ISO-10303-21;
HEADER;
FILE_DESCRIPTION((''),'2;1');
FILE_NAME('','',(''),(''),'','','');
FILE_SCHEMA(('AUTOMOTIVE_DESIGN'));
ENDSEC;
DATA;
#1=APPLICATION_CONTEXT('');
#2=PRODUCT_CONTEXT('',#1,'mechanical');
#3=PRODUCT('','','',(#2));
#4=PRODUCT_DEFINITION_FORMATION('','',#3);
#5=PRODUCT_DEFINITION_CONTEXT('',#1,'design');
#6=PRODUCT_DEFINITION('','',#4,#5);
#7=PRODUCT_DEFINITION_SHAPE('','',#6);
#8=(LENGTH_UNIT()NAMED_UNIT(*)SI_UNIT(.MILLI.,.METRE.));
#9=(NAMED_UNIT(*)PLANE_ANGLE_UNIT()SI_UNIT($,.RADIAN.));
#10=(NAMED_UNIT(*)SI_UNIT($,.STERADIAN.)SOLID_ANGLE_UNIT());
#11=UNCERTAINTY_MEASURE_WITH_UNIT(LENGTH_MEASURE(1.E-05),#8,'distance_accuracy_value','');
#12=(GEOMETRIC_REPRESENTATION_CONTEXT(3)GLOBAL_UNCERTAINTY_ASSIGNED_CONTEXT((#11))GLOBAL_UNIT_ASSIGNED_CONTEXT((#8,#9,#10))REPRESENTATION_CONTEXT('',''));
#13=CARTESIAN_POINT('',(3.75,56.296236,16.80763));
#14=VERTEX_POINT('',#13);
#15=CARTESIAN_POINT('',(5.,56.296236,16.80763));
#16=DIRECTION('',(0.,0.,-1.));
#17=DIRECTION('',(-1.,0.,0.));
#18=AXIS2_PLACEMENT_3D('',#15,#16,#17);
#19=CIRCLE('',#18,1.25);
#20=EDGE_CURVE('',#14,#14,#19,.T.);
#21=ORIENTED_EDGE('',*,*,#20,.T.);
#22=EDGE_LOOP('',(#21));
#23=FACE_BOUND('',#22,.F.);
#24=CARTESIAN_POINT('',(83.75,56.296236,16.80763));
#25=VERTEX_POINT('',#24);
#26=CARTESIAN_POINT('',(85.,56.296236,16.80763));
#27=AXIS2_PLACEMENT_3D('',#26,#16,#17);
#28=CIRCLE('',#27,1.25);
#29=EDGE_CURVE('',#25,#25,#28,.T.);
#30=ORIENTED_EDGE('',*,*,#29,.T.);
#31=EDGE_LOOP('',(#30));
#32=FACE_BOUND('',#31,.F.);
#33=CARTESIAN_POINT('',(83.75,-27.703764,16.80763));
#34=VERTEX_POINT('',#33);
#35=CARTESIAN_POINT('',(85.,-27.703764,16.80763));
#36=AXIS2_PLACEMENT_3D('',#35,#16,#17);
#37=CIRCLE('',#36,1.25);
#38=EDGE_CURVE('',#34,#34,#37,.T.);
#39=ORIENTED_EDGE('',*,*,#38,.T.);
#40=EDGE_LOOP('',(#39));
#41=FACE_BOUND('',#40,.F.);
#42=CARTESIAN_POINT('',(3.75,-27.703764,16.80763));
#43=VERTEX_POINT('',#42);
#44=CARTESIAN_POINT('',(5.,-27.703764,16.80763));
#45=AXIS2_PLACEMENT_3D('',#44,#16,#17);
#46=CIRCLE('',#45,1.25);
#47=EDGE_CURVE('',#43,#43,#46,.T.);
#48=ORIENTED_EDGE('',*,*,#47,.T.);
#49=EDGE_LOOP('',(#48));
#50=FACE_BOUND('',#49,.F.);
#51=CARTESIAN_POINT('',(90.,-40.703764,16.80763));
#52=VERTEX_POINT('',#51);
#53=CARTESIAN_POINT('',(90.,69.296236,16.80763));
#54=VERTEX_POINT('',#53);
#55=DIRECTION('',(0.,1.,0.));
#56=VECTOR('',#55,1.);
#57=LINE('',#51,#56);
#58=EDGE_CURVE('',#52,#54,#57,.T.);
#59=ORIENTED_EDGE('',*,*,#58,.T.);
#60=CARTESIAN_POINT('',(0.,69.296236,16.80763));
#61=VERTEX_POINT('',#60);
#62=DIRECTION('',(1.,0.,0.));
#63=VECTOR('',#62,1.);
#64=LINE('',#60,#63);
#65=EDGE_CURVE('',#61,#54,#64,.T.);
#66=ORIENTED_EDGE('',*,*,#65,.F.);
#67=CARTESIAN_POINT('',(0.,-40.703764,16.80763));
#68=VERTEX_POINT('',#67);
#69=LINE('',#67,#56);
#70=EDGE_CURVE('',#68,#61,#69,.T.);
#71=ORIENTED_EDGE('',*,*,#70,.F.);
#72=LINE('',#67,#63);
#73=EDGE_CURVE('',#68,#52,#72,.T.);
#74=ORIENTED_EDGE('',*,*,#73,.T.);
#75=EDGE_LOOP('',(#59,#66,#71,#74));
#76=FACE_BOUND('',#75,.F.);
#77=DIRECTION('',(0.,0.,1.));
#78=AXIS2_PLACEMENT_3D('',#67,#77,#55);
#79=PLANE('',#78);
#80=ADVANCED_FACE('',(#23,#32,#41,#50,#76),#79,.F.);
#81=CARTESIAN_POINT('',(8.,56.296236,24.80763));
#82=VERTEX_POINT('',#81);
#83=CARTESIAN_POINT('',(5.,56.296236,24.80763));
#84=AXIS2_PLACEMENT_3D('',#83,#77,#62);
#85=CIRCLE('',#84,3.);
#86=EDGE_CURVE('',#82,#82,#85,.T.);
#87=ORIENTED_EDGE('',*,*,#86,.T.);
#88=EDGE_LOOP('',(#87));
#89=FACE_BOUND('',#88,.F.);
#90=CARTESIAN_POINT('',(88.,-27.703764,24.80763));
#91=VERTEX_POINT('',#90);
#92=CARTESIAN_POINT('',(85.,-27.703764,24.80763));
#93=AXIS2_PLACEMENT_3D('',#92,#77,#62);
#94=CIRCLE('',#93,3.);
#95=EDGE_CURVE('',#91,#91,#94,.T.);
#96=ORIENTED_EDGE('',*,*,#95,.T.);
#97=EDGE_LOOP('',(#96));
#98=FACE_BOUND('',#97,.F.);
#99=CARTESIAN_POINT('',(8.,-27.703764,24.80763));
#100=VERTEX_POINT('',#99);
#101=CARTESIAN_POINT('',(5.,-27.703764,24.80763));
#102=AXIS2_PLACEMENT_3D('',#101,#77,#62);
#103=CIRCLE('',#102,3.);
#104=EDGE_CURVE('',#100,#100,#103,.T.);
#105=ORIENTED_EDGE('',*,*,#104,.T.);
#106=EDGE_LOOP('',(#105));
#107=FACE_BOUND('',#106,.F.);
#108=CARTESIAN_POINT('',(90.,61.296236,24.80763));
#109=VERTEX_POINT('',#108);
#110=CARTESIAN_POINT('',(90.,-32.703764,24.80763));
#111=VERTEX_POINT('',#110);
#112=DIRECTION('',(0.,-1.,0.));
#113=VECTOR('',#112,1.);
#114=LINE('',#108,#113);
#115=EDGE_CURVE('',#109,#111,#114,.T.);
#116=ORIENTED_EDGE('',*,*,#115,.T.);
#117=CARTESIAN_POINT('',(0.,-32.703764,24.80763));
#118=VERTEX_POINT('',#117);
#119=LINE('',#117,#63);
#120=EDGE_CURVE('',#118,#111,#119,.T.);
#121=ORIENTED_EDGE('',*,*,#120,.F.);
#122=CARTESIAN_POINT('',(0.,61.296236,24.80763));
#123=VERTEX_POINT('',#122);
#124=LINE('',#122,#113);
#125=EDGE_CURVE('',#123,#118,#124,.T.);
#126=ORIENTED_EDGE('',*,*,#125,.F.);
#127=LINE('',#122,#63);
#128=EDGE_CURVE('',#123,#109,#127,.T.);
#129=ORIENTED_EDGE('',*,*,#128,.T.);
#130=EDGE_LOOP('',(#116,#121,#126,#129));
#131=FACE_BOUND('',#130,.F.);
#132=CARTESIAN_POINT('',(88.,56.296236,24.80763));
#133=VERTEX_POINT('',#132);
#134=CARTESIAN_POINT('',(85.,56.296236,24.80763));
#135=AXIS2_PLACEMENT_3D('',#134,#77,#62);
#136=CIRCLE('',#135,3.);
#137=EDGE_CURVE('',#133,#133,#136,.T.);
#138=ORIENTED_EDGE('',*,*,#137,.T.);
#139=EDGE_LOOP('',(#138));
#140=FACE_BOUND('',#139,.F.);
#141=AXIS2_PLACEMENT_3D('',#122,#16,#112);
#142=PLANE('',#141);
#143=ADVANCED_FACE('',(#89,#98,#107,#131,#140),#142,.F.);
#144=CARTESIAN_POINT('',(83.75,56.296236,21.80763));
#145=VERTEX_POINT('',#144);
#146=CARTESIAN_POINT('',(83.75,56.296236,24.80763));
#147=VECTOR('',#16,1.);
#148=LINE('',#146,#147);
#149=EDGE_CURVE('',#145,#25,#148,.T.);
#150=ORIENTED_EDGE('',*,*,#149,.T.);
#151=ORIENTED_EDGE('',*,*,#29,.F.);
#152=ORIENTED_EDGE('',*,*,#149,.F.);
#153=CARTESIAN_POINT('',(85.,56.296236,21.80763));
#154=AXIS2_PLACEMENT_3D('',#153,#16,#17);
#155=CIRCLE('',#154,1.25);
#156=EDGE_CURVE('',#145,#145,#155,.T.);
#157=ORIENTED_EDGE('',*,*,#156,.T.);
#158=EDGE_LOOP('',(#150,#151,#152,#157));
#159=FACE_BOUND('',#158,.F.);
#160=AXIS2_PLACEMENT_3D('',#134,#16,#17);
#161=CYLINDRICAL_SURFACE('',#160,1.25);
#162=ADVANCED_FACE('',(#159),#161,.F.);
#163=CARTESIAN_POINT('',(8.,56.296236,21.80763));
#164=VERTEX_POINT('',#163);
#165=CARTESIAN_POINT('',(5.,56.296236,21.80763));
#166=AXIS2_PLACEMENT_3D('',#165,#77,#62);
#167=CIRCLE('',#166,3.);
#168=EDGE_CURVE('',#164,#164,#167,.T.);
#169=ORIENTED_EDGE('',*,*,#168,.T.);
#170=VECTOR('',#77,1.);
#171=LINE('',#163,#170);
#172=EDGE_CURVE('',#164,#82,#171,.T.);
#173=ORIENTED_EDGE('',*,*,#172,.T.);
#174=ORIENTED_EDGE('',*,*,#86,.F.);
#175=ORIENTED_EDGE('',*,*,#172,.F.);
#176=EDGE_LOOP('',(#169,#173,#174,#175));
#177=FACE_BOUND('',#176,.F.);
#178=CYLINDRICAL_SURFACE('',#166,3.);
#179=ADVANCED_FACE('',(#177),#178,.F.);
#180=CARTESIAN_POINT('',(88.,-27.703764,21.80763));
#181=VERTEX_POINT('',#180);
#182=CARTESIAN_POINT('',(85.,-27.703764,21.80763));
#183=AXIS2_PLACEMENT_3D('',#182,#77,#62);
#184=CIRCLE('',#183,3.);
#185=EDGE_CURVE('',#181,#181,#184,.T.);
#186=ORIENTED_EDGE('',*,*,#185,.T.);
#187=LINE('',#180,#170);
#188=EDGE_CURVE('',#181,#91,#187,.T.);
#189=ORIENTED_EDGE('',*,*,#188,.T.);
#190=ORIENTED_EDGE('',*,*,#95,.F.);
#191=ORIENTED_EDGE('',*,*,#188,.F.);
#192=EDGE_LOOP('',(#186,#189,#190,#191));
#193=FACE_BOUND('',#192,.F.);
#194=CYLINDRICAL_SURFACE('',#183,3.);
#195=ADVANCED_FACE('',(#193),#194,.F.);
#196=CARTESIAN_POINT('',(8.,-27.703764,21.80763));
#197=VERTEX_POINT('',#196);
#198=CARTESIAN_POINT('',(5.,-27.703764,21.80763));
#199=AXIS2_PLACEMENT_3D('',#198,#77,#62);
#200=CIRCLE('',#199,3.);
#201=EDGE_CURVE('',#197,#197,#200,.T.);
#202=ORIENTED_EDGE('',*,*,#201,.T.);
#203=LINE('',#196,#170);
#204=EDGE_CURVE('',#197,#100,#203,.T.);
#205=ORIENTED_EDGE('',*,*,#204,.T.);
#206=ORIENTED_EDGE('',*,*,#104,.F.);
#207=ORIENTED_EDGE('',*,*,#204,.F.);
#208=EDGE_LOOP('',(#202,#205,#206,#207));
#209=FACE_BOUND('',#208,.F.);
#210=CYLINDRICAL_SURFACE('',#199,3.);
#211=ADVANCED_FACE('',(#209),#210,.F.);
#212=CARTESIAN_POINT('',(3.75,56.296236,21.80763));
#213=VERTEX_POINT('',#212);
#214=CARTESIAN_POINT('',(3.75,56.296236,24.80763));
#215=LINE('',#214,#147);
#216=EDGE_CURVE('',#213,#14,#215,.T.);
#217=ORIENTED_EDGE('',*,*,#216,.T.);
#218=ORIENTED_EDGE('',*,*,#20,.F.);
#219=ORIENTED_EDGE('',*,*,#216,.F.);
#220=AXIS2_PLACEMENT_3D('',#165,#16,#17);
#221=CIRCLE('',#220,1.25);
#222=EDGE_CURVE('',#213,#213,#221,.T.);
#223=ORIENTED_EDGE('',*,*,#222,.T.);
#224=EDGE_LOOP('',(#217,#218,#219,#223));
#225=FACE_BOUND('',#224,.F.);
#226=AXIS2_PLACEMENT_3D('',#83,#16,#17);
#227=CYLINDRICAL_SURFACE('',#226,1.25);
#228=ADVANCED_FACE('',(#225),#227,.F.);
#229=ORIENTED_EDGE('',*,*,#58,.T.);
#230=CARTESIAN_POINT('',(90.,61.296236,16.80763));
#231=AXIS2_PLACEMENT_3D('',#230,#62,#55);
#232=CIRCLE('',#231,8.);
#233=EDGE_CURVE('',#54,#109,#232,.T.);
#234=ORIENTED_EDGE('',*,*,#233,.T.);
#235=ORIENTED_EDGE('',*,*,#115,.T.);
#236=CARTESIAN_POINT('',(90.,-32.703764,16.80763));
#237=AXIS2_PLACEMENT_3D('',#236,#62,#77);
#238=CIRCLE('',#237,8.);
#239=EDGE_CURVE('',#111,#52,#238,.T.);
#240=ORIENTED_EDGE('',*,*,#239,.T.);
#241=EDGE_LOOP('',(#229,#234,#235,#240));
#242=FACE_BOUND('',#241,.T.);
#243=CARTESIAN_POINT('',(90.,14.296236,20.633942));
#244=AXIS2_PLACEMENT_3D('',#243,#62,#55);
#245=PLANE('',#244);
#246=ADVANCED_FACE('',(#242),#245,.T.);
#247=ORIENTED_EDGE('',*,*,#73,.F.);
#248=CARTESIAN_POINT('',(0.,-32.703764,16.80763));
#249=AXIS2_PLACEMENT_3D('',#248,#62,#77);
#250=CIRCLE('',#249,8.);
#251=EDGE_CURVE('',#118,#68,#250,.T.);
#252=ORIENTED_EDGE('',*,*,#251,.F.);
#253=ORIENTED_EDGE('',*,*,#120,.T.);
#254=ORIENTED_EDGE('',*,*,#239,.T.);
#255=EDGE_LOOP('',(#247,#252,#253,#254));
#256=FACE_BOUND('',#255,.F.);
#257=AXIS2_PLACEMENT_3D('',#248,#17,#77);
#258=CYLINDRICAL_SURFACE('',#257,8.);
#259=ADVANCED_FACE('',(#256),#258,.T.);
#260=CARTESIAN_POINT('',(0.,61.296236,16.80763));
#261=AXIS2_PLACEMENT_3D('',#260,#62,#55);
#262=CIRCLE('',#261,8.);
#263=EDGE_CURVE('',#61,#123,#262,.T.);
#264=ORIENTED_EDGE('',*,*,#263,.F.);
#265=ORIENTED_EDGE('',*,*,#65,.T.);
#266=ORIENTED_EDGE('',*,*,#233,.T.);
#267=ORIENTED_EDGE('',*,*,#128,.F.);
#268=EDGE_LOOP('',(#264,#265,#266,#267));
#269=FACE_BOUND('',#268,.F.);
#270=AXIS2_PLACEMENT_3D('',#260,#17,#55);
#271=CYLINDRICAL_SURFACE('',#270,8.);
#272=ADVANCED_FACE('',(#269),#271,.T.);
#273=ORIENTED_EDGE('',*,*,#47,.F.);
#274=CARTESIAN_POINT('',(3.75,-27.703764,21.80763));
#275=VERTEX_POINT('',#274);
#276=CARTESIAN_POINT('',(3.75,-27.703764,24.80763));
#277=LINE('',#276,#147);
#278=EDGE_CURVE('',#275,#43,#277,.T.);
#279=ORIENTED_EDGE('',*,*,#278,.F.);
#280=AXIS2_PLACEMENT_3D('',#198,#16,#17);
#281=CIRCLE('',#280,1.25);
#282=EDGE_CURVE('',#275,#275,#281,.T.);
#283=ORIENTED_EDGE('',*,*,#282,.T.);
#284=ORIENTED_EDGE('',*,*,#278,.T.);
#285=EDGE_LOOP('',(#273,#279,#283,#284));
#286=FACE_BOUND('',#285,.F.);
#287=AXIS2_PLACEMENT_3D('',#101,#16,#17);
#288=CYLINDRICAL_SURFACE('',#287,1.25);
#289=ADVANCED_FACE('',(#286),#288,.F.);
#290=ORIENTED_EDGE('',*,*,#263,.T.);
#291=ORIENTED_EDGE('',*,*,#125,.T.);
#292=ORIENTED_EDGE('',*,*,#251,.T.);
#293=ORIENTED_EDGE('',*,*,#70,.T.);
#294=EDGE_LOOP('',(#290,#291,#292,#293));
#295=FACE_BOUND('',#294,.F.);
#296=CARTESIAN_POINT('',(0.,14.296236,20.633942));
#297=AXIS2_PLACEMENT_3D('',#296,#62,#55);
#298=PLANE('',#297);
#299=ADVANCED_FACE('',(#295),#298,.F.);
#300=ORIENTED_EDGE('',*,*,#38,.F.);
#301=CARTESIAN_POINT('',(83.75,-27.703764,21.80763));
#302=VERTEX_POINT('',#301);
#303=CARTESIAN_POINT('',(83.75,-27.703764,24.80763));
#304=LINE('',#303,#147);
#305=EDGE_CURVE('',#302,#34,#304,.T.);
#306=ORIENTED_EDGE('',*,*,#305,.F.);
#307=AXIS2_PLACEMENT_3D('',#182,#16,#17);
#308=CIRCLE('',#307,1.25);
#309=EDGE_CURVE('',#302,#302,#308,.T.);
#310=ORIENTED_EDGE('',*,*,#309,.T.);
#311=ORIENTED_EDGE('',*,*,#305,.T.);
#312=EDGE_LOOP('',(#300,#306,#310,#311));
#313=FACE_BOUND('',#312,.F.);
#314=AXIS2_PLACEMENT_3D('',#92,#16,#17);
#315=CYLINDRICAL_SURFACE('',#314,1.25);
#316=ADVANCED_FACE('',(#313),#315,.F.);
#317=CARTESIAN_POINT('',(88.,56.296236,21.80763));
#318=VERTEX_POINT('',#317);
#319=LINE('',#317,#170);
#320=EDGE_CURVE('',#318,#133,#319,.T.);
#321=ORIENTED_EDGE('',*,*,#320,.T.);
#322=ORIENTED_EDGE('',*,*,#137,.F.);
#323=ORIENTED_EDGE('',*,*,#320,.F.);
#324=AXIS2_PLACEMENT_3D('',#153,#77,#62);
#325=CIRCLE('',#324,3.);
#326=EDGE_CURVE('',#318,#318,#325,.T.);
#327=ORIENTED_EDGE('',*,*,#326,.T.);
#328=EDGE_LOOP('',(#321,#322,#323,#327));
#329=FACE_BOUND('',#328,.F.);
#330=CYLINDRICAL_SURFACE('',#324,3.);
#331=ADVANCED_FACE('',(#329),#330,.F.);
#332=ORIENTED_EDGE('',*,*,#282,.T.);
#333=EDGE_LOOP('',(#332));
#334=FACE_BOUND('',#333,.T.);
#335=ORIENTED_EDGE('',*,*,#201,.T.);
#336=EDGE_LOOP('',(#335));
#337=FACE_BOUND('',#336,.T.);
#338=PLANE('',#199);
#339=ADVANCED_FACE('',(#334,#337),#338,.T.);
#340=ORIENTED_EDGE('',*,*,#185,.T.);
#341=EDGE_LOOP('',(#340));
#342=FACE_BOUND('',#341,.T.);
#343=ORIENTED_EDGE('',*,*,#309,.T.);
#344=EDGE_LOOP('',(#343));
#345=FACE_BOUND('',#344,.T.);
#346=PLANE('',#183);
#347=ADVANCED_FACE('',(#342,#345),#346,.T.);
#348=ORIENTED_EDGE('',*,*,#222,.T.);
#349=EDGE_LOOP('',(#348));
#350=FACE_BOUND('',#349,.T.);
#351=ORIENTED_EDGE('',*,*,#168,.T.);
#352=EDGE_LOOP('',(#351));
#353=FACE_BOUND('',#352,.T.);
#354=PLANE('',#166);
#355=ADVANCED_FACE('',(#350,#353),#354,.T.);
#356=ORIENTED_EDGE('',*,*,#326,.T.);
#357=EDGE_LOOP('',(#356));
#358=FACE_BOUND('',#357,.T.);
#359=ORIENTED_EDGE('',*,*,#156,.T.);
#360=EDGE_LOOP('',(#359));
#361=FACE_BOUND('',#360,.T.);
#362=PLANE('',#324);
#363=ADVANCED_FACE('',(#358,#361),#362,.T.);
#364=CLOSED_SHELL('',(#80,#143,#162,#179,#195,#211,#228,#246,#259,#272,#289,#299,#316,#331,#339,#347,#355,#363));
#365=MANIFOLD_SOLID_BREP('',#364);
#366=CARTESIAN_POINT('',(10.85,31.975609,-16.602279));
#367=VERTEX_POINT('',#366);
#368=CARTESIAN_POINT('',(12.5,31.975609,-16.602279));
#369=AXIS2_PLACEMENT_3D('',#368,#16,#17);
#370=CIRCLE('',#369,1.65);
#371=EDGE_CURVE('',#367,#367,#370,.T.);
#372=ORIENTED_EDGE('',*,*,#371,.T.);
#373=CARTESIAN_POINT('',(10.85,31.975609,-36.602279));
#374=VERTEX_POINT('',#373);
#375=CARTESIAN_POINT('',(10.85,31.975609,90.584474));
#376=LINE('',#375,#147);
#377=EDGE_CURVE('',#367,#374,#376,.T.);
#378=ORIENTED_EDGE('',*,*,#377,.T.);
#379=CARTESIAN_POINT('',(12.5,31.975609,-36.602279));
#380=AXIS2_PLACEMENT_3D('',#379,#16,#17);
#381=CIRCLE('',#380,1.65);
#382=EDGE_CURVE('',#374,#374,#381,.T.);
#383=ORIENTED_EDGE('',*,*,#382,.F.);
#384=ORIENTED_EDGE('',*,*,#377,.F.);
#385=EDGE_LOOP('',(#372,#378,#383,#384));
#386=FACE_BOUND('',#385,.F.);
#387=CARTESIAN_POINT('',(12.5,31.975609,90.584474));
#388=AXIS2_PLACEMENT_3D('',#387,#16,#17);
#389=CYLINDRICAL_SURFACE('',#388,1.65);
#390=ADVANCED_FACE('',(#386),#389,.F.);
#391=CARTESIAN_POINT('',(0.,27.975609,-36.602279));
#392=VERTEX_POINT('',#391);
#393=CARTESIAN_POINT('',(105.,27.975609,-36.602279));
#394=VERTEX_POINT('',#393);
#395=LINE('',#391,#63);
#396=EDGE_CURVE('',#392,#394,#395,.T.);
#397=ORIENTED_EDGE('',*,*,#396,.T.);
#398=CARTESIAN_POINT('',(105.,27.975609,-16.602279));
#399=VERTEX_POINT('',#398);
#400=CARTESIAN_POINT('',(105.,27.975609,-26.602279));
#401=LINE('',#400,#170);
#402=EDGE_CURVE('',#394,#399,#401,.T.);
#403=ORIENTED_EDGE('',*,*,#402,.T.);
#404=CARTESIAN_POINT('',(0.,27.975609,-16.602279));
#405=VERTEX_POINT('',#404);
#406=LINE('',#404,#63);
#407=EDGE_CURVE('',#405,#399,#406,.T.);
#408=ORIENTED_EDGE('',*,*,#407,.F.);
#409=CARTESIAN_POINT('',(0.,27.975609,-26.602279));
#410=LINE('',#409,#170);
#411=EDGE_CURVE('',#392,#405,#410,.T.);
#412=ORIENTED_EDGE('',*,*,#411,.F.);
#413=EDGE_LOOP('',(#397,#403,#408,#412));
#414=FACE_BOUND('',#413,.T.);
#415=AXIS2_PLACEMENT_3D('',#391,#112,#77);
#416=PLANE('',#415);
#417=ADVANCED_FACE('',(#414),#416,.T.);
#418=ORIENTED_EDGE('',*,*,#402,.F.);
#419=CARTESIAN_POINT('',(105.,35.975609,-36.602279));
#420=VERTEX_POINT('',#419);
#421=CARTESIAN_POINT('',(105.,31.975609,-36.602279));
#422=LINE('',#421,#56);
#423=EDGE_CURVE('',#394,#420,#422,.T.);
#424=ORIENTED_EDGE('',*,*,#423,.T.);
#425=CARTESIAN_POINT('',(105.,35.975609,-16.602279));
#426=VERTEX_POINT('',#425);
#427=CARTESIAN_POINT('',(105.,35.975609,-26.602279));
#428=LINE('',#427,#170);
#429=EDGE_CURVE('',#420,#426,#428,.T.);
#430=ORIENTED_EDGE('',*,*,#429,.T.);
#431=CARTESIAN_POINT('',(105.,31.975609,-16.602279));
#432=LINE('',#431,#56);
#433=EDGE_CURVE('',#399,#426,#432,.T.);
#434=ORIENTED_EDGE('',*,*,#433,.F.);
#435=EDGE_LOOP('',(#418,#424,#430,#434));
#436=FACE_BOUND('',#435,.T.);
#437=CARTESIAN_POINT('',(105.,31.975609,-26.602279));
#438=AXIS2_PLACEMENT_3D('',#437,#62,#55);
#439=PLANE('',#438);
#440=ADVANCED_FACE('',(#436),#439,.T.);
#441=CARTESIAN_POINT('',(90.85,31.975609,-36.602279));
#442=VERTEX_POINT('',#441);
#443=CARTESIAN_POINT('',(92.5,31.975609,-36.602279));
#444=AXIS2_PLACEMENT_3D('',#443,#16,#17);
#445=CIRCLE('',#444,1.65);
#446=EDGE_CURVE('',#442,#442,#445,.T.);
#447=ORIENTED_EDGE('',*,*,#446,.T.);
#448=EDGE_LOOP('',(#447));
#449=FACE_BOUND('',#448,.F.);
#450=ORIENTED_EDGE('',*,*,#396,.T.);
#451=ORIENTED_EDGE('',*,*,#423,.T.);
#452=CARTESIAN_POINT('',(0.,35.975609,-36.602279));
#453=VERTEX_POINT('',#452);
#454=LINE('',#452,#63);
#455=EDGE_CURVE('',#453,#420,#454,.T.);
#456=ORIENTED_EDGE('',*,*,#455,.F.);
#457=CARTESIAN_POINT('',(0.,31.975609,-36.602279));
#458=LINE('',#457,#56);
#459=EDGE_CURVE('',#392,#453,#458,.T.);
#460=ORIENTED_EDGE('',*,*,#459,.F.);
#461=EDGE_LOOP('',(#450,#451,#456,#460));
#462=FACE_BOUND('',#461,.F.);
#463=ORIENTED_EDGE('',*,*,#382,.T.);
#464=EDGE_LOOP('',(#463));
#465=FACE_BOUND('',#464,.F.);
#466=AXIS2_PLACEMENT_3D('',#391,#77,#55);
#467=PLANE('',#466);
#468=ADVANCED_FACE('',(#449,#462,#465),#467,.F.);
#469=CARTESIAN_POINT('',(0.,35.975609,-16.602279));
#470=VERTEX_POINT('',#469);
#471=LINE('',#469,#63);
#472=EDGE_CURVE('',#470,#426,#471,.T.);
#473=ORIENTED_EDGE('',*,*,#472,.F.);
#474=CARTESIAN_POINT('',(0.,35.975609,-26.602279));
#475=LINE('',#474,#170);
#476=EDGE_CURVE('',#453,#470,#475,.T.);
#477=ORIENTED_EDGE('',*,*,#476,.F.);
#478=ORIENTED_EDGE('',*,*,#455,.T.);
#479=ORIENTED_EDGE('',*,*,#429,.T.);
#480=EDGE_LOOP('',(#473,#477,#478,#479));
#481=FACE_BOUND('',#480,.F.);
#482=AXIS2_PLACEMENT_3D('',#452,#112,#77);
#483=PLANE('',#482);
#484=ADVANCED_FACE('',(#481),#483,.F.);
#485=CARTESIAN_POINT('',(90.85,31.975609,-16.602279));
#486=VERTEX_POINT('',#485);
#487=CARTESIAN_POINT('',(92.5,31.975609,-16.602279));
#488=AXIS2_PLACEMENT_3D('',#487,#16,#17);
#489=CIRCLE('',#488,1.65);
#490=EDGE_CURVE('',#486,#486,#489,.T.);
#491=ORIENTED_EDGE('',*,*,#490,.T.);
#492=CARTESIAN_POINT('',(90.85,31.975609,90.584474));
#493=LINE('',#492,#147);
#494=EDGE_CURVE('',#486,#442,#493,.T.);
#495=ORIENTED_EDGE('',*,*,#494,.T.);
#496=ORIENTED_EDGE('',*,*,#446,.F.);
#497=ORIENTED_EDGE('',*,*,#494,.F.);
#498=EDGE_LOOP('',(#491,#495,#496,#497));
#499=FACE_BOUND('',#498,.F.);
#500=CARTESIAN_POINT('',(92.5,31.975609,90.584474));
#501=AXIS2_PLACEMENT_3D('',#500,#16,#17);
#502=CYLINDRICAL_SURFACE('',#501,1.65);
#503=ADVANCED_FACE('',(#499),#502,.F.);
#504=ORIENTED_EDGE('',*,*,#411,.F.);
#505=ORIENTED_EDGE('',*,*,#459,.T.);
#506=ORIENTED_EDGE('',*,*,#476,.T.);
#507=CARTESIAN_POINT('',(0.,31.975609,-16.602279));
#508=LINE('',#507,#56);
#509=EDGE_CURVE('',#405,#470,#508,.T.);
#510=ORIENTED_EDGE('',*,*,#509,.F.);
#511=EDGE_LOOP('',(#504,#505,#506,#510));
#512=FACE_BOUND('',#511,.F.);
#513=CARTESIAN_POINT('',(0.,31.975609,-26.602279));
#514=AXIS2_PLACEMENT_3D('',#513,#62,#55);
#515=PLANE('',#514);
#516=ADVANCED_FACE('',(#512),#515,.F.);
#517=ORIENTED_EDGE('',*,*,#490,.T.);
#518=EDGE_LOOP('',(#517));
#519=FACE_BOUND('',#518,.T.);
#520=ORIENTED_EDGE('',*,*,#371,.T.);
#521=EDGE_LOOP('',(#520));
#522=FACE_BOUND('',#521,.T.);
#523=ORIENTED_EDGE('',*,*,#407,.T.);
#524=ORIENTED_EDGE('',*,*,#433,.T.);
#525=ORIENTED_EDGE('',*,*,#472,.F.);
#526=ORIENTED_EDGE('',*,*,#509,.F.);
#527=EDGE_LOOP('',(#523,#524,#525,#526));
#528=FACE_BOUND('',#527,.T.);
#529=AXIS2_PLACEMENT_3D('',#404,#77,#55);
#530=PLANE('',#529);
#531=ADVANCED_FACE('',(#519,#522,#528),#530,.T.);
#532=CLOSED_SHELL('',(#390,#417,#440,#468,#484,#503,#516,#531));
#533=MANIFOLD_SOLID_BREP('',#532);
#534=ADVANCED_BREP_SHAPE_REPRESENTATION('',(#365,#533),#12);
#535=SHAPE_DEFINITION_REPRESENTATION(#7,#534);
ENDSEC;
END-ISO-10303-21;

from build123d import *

# Parameters (mm, degrees)
F1_DEPTH       = 90
F3_D           = 2.5
F3_CBORE_D     = 6
F3_CBORE_DEPTH = 3
F4_W           = 8
F4_H           = 20
F5_DEPTH       = 105
F7_D           = 3.3


with BuildPart() as f1:
    # F0 (on Right) → F1 (new body)
    with BuildSketch(Plane.YZ):
        with BuildLine():
            Line((61.2962363439, 24.8076301803), (-32.7037636561, 24.8076301803))
            ThreePointArc((-32.7037636561, 24.8076301803), (-38.3606179056, 22.4644844298), (-40.7037636561, 16.8076301803))
            Line((-40.7037636561, 16.8076301803), (69.2962363439, 16.8076301803))
            ThreePointArc((69.2962363439, 16.8076301803), (66.9530905934, 22.4644844298), (61.2962363439, 24.8076301803))
        make_face()
    extrude(amount=F1_DEPTH)

    # F3 (through all)
    with Locations(Plane.XY.offset(24.8076301803)):
        with Locations((5, 56.2962363439), (85, 56.2962363439), (85, -27.7037636561), (5, -27.7037636561)):
            CounterBoreHole(F3_D / 2, F3_CBORE_D / 2, F3_CBORE_DEPTH)


with BuildPart() as f5:
    # F4 (on Right) → F5 (new body)
    with BuildSketch(Plane.YZ):
        with Locations((31.9756090045, -26.6022793886)):
            Rectangle(F4_W, F4_H)
    extrude(amount=F5_DEPTH)

    # F7 (through all)
    with Locations(Plane.XY.offset(-16.6022793886)):
        with Locations((12.5, 31.9756090045), (92.5, 31.9756090045)):
            Hole(F7_D / 2)


solid = Compound([f1.part, f5.part])
